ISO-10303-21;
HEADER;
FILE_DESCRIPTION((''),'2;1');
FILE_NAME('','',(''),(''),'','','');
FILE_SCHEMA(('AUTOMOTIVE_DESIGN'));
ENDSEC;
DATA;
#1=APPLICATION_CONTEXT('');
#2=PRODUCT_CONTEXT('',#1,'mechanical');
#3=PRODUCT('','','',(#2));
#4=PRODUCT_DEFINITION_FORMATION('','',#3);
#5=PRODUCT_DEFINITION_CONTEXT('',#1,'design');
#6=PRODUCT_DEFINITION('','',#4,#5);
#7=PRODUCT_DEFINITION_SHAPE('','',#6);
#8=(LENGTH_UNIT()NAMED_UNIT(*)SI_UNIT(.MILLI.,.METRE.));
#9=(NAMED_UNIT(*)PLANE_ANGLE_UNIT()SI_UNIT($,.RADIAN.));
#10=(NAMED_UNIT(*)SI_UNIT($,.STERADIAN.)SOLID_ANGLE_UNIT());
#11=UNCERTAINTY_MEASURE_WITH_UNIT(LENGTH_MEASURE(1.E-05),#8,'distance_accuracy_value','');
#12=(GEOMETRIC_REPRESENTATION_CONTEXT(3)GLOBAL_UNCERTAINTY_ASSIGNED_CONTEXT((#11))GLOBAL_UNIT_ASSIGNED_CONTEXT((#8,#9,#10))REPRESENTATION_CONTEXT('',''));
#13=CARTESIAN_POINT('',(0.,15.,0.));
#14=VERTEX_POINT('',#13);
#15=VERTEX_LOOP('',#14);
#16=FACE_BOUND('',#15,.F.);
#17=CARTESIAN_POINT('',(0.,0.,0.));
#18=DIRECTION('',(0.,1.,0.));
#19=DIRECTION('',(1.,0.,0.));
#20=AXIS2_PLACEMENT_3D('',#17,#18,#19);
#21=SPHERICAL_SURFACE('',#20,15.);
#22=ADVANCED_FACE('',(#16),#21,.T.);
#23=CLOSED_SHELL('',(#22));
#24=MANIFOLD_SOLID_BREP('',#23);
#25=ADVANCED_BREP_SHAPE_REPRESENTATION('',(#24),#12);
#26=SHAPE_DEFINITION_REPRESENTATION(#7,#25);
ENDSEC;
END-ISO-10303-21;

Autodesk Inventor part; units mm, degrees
ref_plane "YZ Plane" through (0, 0, 0) normal (1, 0, 0) x (0, 1, 0)
ref_plane "XZ Plane" through (0, 0, 0) normal (0, 1, 0) x (-1, 0, 0)
ref_plane "XY Plane" through (0, 0, 0) normal (0, 0, 1) x (1, 0, 0)
sketch "Sketch1" plane through (0, 0, 0) normal (0, 0, 1) x (1, 0, 0)
  arc A0 (0, -15) -> (0, 15) centre (0, 0) ccw
  line L0 (0, 15) -> (0, -15)
  dimension "d1" = 15
  dimension "d2" = 30
revolve "Revolution1" add sketch "Sketch1" angle 360 about axis through (0, 15, 0) along (0, -1, 0)
properties part number "ball" material "ABS Plastic"
